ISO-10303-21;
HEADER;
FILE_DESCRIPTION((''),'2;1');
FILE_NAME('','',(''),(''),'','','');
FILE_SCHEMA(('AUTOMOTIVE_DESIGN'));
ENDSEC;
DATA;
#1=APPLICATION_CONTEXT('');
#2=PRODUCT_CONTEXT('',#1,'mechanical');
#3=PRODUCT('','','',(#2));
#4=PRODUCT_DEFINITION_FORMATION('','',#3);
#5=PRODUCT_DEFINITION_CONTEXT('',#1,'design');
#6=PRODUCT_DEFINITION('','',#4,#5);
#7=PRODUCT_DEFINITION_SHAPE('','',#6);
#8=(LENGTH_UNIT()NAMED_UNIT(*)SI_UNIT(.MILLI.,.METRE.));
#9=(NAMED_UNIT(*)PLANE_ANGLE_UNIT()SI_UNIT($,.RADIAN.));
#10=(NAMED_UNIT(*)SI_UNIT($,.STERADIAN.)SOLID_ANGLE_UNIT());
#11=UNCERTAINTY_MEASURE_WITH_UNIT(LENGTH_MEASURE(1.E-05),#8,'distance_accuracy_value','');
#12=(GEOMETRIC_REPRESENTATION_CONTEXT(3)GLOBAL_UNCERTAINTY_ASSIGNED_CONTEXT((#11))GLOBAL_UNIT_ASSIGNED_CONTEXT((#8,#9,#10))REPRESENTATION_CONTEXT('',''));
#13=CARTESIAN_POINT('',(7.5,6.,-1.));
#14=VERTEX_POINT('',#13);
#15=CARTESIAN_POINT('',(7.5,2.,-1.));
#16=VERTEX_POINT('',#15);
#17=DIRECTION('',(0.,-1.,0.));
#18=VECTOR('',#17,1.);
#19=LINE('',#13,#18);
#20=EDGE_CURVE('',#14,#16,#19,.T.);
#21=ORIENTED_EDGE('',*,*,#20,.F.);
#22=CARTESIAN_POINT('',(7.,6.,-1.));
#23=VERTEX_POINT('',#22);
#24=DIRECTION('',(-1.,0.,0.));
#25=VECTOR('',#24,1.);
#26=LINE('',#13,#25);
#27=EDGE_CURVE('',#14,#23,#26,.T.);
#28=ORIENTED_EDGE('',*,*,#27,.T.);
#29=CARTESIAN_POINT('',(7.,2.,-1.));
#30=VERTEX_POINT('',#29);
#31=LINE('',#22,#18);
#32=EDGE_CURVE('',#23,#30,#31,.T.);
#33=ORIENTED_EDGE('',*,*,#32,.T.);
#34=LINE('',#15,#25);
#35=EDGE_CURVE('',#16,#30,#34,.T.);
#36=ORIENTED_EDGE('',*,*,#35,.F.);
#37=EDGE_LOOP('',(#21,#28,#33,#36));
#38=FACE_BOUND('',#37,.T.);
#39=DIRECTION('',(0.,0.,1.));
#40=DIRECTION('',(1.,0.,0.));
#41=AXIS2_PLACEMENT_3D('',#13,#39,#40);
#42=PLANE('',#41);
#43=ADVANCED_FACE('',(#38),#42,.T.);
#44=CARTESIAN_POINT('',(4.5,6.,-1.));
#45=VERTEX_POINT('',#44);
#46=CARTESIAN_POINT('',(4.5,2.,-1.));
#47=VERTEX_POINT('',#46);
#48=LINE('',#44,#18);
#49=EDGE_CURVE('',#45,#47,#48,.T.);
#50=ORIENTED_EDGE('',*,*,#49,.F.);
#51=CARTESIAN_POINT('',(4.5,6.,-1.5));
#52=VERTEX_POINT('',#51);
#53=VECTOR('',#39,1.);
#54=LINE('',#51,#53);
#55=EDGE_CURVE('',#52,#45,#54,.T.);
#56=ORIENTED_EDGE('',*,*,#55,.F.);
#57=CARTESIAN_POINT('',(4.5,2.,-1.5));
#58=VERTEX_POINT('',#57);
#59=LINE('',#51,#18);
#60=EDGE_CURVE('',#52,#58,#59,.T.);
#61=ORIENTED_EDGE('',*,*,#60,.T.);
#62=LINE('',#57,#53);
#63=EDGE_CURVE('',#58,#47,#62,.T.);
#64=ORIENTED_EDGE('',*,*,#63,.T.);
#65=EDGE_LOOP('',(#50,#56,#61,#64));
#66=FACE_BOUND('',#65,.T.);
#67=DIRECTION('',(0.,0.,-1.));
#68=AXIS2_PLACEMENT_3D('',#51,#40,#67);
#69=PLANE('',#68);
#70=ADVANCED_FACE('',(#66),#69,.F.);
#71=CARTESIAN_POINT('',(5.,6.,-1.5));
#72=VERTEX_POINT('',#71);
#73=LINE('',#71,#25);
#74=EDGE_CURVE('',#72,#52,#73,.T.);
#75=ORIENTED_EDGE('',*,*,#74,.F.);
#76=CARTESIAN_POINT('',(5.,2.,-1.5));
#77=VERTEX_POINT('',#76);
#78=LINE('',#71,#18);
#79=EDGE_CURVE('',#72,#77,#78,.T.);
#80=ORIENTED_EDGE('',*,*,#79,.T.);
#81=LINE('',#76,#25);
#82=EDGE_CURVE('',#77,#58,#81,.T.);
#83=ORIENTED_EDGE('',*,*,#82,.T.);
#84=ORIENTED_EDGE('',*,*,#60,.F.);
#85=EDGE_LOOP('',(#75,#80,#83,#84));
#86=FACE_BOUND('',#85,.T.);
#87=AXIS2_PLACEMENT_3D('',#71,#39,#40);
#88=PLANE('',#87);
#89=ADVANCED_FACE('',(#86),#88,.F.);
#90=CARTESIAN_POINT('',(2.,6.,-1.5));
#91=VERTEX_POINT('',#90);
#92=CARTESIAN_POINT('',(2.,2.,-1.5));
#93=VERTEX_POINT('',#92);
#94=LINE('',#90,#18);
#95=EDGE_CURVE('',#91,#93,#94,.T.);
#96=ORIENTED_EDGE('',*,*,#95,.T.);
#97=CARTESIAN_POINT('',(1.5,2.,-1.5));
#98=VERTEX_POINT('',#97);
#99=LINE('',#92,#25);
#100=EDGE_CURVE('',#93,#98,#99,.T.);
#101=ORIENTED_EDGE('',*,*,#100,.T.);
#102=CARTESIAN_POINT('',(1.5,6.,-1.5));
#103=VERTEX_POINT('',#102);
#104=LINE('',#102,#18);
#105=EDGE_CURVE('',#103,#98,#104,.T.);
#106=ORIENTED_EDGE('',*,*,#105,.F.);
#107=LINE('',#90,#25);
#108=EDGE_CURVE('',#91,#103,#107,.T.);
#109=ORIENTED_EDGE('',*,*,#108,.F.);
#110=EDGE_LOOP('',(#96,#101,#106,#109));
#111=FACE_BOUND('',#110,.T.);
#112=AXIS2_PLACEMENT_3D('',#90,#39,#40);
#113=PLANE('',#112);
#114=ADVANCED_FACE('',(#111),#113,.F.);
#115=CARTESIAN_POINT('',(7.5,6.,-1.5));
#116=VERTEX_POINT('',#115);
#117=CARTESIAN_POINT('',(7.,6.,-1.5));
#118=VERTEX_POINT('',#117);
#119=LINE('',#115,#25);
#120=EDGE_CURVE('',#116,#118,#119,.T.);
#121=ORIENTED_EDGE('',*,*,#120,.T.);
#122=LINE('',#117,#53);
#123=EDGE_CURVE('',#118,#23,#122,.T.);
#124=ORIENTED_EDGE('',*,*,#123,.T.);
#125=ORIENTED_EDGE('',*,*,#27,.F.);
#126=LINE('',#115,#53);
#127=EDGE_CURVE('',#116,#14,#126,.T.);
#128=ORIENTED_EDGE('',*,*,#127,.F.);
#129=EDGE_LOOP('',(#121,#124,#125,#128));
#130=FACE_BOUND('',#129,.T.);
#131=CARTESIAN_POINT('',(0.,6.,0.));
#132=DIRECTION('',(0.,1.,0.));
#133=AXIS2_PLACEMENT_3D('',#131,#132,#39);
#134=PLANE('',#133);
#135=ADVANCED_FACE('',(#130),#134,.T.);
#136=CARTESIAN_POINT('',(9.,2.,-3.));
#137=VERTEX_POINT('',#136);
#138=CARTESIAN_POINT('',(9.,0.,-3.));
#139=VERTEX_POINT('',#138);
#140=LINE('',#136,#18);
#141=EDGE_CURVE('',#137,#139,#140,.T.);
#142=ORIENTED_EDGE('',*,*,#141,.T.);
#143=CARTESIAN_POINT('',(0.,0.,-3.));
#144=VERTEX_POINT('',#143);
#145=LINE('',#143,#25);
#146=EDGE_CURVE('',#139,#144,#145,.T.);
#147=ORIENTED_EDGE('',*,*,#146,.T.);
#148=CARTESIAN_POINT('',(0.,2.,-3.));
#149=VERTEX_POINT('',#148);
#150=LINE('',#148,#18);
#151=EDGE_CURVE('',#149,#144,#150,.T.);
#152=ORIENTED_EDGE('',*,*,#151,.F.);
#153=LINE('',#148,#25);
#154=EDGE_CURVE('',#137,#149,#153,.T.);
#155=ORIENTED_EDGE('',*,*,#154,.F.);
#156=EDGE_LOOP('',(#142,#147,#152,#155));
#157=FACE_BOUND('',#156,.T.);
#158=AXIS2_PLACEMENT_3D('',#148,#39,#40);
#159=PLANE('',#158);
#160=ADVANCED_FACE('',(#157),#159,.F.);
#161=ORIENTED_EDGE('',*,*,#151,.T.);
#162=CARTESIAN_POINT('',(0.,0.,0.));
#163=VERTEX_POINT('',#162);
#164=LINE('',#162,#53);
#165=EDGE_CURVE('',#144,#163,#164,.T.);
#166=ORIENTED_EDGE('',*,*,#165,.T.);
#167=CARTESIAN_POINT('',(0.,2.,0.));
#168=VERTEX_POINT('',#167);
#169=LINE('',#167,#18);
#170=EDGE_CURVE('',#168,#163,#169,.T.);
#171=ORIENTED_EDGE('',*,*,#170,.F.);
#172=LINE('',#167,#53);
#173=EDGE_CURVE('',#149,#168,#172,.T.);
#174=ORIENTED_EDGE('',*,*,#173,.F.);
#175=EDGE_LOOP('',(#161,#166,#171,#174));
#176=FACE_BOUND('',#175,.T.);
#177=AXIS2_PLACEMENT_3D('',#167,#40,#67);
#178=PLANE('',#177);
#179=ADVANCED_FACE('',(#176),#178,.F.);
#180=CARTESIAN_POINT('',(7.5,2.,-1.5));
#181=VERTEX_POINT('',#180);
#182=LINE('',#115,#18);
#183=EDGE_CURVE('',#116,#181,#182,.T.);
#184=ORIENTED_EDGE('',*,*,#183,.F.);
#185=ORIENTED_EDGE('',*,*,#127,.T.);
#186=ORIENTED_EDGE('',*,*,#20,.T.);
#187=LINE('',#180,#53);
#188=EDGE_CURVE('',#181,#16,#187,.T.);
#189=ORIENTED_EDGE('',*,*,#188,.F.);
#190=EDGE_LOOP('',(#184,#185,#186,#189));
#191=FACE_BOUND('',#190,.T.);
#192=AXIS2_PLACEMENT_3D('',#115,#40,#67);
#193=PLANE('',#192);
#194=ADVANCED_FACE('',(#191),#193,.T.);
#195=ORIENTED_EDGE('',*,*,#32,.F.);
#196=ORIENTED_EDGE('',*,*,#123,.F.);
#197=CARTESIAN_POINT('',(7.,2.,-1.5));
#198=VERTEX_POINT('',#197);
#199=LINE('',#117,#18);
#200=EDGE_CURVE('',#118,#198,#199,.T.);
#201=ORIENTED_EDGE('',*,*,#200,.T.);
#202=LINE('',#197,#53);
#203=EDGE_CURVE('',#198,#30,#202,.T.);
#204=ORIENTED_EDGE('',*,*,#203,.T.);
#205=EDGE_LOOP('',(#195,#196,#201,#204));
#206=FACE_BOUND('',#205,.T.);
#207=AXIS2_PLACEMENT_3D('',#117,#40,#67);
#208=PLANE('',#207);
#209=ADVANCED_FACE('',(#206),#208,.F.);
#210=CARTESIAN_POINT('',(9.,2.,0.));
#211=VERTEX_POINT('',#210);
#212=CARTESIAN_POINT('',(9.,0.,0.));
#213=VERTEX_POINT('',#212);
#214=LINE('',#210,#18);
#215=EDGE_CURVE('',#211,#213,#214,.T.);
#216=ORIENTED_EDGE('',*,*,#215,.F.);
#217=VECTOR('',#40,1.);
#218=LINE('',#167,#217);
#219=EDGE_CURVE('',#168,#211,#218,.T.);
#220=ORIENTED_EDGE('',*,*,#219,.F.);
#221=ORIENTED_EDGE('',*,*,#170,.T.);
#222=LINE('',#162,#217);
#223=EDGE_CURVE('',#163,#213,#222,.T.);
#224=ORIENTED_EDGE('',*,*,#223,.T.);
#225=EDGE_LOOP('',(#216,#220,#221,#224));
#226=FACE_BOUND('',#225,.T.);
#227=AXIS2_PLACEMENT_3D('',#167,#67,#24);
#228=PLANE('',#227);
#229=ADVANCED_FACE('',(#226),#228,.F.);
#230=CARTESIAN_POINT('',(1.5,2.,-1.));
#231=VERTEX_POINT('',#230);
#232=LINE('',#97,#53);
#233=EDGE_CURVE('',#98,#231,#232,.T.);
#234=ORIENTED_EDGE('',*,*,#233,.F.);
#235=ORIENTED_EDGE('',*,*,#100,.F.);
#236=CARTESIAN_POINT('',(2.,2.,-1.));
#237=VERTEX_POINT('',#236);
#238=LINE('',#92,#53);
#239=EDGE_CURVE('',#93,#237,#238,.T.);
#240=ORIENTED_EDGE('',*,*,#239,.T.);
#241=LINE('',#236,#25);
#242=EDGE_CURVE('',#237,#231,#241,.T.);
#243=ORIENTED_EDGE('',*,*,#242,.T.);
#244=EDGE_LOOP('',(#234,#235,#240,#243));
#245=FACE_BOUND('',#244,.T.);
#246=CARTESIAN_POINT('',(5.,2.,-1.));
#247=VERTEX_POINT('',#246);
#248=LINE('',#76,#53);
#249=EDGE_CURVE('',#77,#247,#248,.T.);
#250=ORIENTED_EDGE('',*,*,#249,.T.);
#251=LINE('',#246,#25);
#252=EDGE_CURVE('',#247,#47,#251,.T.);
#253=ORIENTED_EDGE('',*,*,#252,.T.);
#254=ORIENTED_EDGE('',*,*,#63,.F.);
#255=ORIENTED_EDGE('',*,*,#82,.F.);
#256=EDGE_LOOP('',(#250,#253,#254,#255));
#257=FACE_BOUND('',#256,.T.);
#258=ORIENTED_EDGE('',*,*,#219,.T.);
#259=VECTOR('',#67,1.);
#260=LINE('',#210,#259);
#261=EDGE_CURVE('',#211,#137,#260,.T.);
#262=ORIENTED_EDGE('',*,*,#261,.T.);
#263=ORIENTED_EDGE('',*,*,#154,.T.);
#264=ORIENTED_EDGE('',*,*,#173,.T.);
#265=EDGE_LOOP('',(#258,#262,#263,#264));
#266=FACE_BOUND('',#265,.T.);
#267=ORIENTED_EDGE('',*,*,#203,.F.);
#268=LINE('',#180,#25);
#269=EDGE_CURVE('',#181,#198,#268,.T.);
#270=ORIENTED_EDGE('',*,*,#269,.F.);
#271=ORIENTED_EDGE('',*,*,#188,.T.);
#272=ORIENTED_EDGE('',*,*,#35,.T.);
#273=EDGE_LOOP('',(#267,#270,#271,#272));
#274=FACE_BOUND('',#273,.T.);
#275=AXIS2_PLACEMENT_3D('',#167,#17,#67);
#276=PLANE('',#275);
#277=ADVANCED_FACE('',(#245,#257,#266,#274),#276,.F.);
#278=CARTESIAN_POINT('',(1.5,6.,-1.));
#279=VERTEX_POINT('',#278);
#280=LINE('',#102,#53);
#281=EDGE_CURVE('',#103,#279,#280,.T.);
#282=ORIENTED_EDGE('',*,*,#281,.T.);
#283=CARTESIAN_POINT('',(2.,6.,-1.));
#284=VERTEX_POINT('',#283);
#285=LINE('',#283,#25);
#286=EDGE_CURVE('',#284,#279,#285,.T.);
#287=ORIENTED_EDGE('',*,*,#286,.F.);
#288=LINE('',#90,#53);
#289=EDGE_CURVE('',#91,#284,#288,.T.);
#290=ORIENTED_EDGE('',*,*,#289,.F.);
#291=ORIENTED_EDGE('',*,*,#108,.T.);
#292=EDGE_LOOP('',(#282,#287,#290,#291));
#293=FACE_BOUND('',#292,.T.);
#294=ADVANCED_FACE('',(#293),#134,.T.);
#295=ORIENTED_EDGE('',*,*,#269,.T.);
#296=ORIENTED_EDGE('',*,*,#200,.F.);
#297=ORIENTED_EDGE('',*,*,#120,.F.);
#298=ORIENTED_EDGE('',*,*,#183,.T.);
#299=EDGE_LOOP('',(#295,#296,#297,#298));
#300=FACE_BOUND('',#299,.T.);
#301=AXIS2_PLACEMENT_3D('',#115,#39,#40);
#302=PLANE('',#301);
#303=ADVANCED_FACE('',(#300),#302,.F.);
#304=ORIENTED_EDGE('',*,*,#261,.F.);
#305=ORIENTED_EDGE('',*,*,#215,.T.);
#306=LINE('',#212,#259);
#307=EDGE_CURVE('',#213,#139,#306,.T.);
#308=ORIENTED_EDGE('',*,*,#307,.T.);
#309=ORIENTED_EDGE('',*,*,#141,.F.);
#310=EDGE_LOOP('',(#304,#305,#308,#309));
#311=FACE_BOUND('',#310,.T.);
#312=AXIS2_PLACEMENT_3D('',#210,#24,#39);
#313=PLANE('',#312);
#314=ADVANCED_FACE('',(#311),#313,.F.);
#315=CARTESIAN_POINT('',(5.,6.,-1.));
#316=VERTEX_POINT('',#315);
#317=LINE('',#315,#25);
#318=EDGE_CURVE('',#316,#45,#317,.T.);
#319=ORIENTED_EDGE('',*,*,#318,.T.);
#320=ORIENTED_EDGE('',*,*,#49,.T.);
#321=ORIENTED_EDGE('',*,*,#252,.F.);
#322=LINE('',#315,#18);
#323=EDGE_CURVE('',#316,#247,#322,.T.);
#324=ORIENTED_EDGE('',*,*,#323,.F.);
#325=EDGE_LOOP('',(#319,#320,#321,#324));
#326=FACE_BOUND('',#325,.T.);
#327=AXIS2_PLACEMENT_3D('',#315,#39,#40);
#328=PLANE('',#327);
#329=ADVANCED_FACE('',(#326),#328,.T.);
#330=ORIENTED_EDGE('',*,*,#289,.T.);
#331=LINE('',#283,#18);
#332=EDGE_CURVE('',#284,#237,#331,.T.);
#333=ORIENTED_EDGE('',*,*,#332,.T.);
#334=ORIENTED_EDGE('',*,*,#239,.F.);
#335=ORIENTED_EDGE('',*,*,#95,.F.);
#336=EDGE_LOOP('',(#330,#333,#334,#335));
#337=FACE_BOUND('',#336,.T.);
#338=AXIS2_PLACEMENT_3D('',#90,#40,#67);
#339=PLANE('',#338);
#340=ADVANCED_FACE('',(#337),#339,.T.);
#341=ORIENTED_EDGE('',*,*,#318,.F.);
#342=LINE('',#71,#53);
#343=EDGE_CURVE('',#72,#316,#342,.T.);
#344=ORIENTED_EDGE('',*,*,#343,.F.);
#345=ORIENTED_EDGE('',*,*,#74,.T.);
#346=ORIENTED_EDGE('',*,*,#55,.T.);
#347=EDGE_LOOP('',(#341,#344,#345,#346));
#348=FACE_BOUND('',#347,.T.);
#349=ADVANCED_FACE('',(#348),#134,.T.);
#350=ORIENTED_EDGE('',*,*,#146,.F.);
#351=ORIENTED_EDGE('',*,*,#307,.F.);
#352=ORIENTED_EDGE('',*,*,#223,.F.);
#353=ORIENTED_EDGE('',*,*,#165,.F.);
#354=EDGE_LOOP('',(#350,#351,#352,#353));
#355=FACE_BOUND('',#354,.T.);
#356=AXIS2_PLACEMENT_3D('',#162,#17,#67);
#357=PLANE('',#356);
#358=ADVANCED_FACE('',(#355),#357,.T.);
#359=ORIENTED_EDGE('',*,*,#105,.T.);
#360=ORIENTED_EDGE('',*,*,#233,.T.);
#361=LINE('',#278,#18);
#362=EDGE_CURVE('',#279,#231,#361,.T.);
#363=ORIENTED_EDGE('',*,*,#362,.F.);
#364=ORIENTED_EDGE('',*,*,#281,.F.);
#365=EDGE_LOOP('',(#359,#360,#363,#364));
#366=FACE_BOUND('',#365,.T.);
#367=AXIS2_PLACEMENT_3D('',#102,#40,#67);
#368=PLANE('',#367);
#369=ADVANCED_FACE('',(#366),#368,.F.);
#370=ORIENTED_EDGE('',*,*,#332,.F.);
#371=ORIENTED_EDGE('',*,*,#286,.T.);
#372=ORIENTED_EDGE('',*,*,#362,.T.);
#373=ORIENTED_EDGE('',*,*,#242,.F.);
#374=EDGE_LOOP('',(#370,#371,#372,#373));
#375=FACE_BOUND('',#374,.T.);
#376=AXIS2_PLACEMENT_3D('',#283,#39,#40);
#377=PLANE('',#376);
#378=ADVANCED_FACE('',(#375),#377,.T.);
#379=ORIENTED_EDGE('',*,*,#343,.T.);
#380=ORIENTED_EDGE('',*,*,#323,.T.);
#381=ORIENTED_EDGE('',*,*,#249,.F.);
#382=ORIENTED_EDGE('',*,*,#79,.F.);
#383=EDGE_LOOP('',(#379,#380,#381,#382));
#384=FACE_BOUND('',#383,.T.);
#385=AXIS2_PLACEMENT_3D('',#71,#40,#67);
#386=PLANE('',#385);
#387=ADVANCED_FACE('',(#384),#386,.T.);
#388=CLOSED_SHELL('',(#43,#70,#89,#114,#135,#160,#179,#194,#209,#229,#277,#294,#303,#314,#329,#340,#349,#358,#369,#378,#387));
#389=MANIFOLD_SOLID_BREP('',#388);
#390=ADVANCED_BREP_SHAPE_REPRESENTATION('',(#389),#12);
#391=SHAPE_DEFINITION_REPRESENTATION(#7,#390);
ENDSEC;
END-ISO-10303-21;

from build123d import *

# Parameters (mm, degrees)
SKETCH1_W           = 9
SKETCH1_H           = 3
BOSS_EXTRUDE2_DEPTH = 2
SKETCH2_W           = 0.5
SKETCH2_H           = 0.5
BOSS_EXTRUDE3_DEPTH = 4


with BuildPart() as part:
    # Sketch1 → Boss-Extrude2 (new body)
    with BuildSketch(Plane(origin=(0, 0, 0), x_dir=(1, 0, 0), z_dir=(0, 1, 0))):
        with Locations((4.5, 1.5)):
            Rectangle(SKETCH1_W, SKETCH1_H)
    extrude(amount=BOSS_EXTRUDE2_DEPTH)

    # Sketch2 → Boss-Extrude3 (add)
    with BuildSketch(Plane(origin=(0, 2, 0), x_dir=(1, 0, 0), z_dir=(0, 1, 0))):
        with Locations((7.25, 1.25)):
            Rectangle(SKETCH2_W, SKETCH2_H)
        with Locations((4.75, 1.25)):
            Rectangle(SKETCH2_W, SKETCH2_H)
        with Locations((1.75, 1.25)):
            Rectangle(SKETCH2_W, SKETCH2_H)
    extrude(amount=BOSS_EXTRUDE3_DEPTH)


solid = part.part
